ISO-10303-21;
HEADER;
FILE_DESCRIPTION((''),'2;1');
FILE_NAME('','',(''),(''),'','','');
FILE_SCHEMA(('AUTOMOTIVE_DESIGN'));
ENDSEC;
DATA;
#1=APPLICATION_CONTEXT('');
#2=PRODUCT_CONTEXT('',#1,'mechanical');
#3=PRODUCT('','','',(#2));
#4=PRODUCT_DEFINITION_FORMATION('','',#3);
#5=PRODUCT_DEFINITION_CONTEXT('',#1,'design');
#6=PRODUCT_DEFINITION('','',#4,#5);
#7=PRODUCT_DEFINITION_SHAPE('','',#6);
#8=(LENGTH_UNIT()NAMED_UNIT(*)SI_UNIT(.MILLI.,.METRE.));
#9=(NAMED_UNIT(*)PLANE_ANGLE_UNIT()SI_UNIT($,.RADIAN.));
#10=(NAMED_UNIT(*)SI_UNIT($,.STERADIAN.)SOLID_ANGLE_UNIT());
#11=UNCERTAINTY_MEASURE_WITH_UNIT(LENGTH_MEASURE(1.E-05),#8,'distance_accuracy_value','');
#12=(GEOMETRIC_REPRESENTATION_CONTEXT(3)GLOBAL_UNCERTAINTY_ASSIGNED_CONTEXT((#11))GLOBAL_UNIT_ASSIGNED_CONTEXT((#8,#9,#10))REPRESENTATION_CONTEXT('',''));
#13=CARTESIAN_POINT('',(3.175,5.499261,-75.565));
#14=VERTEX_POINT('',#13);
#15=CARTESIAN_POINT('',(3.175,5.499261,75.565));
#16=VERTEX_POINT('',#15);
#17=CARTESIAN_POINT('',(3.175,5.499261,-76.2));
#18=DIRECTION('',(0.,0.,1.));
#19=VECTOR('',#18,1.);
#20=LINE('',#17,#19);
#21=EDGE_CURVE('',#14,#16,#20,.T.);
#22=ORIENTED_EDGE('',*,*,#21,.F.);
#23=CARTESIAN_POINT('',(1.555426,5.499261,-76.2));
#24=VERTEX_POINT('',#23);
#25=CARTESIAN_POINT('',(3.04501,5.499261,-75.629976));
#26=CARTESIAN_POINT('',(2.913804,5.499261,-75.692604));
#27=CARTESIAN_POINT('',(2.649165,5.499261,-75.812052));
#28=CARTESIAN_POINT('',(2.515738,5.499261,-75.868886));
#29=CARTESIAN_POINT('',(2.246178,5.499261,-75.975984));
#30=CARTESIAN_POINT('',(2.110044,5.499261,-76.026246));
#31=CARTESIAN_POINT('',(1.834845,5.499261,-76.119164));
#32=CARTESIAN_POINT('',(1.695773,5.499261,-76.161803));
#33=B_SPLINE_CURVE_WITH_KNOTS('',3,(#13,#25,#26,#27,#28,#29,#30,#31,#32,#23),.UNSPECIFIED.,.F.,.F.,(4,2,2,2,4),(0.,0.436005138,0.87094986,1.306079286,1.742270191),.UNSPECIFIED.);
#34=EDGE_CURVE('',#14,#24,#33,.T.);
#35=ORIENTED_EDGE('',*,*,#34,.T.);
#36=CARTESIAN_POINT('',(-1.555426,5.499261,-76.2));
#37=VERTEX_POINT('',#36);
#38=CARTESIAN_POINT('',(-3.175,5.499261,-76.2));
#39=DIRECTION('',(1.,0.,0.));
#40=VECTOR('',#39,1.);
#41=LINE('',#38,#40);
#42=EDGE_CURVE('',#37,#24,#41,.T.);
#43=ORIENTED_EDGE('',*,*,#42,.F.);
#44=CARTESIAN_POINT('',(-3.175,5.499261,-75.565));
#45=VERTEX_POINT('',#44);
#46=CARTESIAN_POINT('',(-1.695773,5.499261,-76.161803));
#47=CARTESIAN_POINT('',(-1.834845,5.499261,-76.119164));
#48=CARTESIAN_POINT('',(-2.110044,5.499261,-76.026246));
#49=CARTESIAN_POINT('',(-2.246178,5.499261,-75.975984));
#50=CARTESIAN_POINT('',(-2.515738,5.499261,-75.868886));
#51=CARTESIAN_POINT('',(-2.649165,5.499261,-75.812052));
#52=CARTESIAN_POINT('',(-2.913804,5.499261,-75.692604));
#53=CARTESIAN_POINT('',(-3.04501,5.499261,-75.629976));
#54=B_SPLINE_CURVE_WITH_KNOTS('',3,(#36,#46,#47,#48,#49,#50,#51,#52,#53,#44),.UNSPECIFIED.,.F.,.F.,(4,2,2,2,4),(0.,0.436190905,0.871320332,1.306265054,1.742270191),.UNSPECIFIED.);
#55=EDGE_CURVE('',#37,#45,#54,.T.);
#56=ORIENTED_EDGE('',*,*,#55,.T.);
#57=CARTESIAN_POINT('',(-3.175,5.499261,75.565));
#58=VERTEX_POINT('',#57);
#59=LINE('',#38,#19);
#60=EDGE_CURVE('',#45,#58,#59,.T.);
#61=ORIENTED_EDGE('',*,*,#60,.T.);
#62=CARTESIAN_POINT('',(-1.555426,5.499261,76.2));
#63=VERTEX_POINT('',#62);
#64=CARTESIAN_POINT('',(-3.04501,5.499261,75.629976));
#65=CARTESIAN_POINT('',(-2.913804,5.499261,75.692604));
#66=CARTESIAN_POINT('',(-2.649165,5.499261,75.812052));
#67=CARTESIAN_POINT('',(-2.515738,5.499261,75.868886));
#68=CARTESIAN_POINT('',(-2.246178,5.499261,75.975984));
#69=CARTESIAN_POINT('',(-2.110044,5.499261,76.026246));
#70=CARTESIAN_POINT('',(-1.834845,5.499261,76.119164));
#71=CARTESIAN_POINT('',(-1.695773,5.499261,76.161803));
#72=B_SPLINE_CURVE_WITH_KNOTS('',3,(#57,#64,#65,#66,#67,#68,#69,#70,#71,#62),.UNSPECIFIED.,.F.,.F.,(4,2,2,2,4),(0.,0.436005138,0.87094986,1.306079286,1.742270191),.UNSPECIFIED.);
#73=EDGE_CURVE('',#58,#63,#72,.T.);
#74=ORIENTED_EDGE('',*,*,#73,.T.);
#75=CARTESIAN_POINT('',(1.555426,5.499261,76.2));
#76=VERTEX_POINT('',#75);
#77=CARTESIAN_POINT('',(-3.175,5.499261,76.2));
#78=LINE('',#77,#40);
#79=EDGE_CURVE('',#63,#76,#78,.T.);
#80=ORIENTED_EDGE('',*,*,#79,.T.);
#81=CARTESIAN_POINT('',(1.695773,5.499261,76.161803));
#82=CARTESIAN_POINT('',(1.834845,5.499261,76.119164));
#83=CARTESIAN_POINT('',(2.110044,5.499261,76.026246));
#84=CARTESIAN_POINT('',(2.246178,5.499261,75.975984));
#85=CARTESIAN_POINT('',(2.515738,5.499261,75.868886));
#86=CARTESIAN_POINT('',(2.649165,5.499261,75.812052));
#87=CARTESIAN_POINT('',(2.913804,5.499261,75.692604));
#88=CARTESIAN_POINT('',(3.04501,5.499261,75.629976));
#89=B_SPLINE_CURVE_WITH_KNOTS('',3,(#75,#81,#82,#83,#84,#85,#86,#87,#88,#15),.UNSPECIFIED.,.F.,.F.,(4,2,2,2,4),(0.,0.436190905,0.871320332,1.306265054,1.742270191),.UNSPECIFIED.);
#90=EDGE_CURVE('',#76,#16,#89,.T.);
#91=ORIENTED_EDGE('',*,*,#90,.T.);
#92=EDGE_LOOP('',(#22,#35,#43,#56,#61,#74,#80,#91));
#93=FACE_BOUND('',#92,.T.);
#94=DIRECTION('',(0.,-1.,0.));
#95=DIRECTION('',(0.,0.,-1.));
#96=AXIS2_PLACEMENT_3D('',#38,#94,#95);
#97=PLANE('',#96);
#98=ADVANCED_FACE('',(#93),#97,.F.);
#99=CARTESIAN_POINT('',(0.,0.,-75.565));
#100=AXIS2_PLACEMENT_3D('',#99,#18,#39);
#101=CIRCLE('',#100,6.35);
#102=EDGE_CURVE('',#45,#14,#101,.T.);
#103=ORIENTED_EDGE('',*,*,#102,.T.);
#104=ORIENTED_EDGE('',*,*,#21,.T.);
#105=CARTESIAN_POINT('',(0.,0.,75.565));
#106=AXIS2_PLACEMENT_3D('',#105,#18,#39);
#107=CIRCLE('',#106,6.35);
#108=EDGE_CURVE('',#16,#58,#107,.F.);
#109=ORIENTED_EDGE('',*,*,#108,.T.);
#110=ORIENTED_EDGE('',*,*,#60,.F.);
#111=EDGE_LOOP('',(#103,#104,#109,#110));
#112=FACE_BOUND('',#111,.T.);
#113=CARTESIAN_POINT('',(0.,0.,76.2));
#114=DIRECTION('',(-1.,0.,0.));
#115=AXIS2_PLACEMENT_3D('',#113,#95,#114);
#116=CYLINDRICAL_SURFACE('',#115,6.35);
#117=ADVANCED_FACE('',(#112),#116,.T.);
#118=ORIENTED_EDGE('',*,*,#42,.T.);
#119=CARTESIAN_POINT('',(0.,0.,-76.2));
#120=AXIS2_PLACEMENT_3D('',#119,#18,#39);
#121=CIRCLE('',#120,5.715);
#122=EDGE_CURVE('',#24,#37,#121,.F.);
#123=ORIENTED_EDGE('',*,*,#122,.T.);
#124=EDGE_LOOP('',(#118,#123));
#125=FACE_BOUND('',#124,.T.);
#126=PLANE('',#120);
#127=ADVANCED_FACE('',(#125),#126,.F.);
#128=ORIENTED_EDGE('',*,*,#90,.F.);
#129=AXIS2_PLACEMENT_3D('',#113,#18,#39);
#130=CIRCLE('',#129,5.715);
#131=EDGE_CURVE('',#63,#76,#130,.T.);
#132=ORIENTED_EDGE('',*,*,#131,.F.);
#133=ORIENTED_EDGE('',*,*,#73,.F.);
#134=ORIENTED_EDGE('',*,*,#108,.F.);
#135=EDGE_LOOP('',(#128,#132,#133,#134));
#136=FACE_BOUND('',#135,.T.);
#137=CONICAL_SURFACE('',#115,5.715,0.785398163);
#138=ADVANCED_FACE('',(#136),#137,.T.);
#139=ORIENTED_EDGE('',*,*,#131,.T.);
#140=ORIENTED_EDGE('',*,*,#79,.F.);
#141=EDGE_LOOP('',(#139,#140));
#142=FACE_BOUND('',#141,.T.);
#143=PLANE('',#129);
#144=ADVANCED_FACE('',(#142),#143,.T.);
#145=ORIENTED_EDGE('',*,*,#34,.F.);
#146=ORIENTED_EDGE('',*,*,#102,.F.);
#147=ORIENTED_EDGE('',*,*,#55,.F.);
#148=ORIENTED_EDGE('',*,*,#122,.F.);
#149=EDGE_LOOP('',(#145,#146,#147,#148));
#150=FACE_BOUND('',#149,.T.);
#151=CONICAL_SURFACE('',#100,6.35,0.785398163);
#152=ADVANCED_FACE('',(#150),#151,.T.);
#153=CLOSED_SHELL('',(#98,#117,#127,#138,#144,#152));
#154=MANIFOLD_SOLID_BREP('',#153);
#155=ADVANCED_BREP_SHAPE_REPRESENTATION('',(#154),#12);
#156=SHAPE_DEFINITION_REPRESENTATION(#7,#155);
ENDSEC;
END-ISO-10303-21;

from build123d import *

# Parameters (mm, degrees)
BOSS_EXTRUDE2_DEPTH      = 76.2
BOSS_EXTRUDE2_DEPTH_BACK = 76.2
SKETCH3_R                = 6.35
CUT_EXTRUDE5_DEPTH       = 77.727341932
CUT_EXTRUDE5_DEPTH_BACK  = 77.727341932
CHAMFER1_SIZE            = 0.635


with BuildPart() as part:
    # Sketch3 → Boss-Extrude2 (new, two sides: drawn at the far end of the back side and taken through both)
    with BuildSketch(Plane.XY.offset(-BOSS_EXTRUDE2_DEPTH_BACK)):
        with Locations(Location((0, 0, 0), (0, 0, 180))):
            Circle(SKETCH3_R)
    extrude(amount=BOSS_EXTRUDE2_DEPTH + BOSS_EXTRUDE2_DEPTH_BACK)

    # Sketch10 → Cut-Extrude5 (cut, two sides: drawn at the far end of the back side and taken through both)
    with BuildSketch(Plane.XY.offset(-CUT_EXTRUDE5_DEPTH_BACK)):
        with BuildLine():
            Line((-3.175, 5.499261314), (3.175, 5.499261314))
            ThreePointArc((3.175, 5.499261314), (0, 6.35), (-3.175, 5.499261314))
        make_face()
    extrude(amount=CUT_EXTRUDE5_DEPTH + CUT_EXTRUDE5_DEPTH_BACK, mode=Mode.SUBTRACT)

    # Chamfer1
    chamfer1_edges = [part.edges().sort_by_distance(p)[0] for p in [
        (0, -6.35, -76.2),
        (0, -6.35, 76.2),
    ]]
    chamfer(chamfer1_edges, length=CHAMFER1_SIZE)


solid = part.part
